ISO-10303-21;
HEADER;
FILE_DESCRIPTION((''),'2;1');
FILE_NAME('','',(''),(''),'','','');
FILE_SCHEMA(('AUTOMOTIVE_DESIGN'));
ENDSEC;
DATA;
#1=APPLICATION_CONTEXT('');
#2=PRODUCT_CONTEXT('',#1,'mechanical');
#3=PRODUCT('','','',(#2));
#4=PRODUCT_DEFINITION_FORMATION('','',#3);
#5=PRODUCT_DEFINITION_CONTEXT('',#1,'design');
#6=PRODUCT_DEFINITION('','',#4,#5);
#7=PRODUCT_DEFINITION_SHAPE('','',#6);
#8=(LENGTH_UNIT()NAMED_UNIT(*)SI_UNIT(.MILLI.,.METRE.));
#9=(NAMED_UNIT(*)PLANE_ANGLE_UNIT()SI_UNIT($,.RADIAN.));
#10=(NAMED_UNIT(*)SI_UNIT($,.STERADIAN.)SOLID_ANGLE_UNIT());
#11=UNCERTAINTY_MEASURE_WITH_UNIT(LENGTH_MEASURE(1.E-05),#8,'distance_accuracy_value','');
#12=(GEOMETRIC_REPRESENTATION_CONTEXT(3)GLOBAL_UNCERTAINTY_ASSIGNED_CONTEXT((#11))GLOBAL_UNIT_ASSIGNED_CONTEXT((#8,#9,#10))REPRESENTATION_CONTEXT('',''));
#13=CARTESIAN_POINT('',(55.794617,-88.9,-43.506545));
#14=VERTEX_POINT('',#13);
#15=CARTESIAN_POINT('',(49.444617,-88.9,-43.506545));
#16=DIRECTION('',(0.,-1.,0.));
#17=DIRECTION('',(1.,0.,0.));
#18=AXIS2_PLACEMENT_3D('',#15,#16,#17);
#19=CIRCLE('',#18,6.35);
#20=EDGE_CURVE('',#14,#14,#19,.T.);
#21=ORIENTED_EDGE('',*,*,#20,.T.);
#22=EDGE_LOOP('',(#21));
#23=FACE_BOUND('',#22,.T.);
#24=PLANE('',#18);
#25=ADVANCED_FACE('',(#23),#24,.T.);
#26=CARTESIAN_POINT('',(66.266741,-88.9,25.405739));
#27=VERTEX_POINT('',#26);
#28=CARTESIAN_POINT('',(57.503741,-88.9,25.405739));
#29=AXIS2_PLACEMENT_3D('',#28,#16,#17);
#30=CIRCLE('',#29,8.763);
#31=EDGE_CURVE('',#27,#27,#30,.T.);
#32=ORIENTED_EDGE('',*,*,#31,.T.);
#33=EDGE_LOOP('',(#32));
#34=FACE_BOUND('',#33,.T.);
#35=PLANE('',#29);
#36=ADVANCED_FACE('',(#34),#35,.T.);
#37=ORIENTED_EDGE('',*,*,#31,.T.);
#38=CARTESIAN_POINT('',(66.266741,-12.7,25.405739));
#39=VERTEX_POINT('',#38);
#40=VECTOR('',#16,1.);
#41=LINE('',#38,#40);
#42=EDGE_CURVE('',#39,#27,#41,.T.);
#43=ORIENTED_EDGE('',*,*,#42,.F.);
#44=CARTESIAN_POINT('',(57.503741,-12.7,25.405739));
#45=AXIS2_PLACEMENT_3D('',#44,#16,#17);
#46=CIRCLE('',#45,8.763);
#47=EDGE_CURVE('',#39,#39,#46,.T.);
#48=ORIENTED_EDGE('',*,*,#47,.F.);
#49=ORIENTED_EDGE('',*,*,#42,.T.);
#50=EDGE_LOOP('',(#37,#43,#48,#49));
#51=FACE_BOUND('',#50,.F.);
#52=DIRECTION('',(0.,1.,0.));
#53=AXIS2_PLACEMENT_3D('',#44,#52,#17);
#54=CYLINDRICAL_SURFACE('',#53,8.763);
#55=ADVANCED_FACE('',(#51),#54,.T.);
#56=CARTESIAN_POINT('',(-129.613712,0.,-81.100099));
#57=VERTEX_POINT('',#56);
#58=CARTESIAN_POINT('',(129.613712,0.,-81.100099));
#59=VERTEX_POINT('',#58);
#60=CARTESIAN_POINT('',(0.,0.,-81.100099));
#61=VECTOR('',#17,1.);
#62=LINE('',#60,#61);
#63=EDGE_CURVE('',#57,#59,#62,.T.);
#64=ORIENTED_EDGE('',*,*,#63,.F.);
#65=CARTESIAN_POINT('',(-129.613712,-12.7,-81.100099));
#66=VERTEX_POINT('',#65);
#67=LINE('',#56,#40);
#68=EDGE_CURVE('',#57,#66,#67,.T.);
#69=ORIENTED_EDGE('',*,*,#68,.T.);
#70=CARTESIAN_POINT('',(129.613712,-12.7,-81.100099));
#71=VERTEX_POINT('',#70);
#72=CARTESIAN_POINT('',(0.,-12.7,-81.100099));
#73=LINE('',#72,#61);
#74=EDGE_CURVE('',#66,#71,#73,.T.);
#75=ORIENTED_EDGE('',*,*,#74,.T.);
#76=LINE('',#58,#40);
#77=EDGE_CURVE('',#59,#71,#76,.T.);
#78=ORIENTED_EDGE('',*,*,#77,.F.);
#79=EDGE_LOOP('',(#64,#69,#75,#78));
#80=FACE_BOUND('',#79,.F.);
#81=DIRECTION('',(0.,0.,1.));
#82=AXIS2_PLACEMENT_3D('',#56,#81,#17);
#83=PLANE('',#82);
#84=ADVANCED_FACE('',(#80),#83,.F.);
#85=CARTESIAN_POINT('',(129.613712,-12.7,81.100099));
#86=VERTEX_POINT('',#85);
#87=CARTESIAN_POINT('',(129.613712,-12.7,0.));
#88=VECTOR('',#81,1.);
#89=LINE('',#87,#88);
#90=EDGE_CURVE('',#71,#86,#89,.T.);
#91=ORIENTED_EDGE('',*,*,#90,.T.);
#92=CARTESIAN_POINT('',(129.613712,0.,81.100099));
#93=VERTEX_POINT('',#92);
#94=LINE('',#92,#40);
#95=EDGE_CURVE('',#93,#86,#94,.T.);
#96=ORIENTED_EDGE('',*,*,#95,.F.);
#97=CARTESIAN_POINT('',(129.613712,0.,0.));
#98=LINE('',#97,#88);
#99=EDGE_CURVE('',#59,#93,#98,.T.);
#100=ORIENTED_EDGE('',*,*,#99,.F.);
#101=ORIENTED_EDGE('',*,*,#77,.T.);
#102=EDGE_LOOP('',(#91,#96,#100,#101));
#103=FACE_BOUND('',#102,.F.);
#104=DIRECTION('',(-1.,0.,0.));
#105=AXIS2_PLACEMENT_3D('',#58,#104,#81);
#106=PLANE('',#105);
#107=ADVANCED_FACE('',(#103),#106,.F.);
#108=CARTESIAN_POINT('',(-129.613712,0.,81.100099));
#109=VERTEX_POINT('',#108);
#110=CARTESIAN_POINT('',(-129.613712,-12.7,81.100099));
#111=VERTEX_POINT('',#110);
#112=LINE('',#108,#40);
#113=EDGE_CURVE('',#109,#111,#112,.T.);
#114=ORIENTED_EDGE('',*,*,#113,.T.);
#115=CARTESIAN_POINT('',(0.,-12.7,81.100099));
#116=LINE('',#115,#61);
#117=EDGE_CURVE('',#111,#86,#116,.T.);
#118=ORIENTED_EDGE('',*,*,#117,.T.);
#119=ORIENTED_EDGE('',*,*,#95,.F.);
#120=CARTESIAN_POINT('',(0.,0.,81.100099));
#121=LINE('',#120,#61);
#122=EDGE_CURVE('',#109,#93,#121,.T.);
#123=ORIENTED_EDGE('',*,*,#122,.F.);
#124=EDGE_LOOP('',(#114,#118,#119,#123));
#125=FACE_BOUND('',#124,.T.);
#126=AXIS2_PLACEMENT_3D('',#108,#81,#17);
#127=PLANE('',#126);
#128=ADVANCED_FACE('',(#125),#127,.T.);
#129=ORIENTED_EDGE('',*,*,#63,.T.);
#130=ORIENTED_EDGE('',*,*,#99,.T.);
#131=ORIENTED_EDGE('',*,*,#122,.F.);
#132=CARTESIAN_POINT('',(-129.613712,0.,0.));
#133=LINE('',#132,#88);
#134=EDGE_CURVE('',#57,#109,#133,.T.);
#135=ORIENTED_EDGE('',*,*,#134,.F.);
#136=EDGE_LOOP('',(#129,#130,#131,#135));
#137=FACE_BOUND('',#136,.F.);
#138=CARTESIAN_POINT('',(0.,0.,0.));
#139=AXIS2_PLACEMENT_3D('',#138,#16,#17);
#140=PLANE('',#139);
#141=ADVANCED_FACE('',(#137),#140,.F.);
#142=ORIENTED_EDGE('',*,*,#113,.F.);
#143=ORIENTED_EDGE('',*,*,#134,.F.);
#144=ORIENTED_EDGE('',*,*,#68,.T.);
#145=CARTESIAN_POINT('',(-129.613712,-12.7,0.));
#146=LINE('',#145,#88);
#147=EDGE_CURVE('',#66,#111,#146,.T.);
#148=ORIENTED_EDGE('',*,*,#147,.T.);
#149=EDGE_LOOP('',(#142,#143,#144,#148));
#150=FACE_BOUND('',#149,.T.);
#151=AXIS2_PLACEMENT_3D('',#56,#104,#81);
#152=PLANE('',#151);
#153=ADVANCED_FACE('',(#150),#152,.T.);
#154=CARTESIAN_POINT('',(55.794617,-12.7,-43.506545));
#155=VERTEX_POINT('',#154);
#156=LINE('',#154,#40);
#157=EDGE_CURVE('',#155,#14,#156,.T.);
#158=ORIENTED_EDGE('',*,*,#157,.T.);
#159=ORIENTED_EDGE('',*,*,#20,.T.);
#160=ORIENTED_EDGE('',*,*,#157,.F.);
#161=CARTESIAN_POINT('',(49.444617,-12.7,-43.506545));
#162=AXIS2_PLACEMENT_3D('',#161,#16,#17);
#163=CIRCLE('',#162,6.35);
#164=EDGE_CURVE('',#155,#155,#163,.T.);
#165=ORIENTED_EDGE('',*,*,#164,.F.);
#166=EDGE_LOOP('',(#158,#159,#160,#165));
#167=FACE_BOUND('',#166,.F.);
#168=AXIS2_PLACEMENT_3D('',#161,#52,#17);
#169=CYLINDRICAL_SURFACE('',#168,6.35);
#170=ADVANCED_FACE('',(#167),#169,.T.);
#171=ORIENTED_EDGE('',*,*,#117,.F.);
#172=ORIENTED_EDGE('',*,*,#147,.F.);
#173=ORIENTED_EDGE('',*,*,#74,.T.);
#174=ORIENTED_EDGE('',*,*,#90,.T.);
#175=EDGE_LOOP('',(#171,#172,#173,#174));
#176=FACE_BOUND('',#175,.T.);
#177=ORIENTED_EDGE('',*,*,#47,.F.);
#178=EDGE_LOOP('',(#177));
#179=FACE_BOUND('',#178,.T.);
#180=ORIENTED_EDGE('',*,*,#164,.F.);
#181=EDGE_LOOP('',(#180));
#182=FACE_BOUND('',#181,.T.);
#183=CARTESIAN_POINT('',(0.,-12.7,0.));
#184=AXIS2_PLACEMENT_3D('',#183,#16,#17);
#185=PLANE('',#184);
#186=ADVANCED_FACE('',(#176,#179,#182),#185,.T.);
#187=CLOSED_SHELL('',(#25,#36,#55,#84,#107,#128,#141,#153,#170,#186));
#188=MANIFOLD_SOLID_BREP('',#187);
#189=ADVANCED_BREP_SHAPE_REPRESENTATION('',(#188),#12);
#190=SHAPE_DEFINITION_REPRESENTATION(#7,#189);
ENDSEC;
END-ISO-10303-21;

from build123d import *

# Parameters (mm, degrees)
F0_W     = 259.227424
F0_H     = 162.200198
F1_DEPTH = 12.7
F2_R     = 8.763
F3_DEPTH = 76.2
F4_R     = 6.35
F5_DEPTH = 76.2


with BuildPart() as f1:
    # F0 (on Front) → F1 (new body)
    with BuildSketch(Plane.XZ):
        Rectangle(F0_W, F0_H)
    extrude(amount=F1_DEPTH)

    # F2 (on face) → F3 (join)
    with BuildSketch(Plane.XZ.offset(12.7)):
        with Locations((57.503741, 25.405739)):
            Circle(F2_R)
    extrude(amount=F3_DEPTH)

    # F4 (on face) → F5 (join)
    with BuildSketch(Plane.XZ.offset(12.7)):
        with Locations((49.444617, -43.506545)):
            Circle(F4_R)
    extrude(amount=F5_DEPTH)


solid = f1.part
